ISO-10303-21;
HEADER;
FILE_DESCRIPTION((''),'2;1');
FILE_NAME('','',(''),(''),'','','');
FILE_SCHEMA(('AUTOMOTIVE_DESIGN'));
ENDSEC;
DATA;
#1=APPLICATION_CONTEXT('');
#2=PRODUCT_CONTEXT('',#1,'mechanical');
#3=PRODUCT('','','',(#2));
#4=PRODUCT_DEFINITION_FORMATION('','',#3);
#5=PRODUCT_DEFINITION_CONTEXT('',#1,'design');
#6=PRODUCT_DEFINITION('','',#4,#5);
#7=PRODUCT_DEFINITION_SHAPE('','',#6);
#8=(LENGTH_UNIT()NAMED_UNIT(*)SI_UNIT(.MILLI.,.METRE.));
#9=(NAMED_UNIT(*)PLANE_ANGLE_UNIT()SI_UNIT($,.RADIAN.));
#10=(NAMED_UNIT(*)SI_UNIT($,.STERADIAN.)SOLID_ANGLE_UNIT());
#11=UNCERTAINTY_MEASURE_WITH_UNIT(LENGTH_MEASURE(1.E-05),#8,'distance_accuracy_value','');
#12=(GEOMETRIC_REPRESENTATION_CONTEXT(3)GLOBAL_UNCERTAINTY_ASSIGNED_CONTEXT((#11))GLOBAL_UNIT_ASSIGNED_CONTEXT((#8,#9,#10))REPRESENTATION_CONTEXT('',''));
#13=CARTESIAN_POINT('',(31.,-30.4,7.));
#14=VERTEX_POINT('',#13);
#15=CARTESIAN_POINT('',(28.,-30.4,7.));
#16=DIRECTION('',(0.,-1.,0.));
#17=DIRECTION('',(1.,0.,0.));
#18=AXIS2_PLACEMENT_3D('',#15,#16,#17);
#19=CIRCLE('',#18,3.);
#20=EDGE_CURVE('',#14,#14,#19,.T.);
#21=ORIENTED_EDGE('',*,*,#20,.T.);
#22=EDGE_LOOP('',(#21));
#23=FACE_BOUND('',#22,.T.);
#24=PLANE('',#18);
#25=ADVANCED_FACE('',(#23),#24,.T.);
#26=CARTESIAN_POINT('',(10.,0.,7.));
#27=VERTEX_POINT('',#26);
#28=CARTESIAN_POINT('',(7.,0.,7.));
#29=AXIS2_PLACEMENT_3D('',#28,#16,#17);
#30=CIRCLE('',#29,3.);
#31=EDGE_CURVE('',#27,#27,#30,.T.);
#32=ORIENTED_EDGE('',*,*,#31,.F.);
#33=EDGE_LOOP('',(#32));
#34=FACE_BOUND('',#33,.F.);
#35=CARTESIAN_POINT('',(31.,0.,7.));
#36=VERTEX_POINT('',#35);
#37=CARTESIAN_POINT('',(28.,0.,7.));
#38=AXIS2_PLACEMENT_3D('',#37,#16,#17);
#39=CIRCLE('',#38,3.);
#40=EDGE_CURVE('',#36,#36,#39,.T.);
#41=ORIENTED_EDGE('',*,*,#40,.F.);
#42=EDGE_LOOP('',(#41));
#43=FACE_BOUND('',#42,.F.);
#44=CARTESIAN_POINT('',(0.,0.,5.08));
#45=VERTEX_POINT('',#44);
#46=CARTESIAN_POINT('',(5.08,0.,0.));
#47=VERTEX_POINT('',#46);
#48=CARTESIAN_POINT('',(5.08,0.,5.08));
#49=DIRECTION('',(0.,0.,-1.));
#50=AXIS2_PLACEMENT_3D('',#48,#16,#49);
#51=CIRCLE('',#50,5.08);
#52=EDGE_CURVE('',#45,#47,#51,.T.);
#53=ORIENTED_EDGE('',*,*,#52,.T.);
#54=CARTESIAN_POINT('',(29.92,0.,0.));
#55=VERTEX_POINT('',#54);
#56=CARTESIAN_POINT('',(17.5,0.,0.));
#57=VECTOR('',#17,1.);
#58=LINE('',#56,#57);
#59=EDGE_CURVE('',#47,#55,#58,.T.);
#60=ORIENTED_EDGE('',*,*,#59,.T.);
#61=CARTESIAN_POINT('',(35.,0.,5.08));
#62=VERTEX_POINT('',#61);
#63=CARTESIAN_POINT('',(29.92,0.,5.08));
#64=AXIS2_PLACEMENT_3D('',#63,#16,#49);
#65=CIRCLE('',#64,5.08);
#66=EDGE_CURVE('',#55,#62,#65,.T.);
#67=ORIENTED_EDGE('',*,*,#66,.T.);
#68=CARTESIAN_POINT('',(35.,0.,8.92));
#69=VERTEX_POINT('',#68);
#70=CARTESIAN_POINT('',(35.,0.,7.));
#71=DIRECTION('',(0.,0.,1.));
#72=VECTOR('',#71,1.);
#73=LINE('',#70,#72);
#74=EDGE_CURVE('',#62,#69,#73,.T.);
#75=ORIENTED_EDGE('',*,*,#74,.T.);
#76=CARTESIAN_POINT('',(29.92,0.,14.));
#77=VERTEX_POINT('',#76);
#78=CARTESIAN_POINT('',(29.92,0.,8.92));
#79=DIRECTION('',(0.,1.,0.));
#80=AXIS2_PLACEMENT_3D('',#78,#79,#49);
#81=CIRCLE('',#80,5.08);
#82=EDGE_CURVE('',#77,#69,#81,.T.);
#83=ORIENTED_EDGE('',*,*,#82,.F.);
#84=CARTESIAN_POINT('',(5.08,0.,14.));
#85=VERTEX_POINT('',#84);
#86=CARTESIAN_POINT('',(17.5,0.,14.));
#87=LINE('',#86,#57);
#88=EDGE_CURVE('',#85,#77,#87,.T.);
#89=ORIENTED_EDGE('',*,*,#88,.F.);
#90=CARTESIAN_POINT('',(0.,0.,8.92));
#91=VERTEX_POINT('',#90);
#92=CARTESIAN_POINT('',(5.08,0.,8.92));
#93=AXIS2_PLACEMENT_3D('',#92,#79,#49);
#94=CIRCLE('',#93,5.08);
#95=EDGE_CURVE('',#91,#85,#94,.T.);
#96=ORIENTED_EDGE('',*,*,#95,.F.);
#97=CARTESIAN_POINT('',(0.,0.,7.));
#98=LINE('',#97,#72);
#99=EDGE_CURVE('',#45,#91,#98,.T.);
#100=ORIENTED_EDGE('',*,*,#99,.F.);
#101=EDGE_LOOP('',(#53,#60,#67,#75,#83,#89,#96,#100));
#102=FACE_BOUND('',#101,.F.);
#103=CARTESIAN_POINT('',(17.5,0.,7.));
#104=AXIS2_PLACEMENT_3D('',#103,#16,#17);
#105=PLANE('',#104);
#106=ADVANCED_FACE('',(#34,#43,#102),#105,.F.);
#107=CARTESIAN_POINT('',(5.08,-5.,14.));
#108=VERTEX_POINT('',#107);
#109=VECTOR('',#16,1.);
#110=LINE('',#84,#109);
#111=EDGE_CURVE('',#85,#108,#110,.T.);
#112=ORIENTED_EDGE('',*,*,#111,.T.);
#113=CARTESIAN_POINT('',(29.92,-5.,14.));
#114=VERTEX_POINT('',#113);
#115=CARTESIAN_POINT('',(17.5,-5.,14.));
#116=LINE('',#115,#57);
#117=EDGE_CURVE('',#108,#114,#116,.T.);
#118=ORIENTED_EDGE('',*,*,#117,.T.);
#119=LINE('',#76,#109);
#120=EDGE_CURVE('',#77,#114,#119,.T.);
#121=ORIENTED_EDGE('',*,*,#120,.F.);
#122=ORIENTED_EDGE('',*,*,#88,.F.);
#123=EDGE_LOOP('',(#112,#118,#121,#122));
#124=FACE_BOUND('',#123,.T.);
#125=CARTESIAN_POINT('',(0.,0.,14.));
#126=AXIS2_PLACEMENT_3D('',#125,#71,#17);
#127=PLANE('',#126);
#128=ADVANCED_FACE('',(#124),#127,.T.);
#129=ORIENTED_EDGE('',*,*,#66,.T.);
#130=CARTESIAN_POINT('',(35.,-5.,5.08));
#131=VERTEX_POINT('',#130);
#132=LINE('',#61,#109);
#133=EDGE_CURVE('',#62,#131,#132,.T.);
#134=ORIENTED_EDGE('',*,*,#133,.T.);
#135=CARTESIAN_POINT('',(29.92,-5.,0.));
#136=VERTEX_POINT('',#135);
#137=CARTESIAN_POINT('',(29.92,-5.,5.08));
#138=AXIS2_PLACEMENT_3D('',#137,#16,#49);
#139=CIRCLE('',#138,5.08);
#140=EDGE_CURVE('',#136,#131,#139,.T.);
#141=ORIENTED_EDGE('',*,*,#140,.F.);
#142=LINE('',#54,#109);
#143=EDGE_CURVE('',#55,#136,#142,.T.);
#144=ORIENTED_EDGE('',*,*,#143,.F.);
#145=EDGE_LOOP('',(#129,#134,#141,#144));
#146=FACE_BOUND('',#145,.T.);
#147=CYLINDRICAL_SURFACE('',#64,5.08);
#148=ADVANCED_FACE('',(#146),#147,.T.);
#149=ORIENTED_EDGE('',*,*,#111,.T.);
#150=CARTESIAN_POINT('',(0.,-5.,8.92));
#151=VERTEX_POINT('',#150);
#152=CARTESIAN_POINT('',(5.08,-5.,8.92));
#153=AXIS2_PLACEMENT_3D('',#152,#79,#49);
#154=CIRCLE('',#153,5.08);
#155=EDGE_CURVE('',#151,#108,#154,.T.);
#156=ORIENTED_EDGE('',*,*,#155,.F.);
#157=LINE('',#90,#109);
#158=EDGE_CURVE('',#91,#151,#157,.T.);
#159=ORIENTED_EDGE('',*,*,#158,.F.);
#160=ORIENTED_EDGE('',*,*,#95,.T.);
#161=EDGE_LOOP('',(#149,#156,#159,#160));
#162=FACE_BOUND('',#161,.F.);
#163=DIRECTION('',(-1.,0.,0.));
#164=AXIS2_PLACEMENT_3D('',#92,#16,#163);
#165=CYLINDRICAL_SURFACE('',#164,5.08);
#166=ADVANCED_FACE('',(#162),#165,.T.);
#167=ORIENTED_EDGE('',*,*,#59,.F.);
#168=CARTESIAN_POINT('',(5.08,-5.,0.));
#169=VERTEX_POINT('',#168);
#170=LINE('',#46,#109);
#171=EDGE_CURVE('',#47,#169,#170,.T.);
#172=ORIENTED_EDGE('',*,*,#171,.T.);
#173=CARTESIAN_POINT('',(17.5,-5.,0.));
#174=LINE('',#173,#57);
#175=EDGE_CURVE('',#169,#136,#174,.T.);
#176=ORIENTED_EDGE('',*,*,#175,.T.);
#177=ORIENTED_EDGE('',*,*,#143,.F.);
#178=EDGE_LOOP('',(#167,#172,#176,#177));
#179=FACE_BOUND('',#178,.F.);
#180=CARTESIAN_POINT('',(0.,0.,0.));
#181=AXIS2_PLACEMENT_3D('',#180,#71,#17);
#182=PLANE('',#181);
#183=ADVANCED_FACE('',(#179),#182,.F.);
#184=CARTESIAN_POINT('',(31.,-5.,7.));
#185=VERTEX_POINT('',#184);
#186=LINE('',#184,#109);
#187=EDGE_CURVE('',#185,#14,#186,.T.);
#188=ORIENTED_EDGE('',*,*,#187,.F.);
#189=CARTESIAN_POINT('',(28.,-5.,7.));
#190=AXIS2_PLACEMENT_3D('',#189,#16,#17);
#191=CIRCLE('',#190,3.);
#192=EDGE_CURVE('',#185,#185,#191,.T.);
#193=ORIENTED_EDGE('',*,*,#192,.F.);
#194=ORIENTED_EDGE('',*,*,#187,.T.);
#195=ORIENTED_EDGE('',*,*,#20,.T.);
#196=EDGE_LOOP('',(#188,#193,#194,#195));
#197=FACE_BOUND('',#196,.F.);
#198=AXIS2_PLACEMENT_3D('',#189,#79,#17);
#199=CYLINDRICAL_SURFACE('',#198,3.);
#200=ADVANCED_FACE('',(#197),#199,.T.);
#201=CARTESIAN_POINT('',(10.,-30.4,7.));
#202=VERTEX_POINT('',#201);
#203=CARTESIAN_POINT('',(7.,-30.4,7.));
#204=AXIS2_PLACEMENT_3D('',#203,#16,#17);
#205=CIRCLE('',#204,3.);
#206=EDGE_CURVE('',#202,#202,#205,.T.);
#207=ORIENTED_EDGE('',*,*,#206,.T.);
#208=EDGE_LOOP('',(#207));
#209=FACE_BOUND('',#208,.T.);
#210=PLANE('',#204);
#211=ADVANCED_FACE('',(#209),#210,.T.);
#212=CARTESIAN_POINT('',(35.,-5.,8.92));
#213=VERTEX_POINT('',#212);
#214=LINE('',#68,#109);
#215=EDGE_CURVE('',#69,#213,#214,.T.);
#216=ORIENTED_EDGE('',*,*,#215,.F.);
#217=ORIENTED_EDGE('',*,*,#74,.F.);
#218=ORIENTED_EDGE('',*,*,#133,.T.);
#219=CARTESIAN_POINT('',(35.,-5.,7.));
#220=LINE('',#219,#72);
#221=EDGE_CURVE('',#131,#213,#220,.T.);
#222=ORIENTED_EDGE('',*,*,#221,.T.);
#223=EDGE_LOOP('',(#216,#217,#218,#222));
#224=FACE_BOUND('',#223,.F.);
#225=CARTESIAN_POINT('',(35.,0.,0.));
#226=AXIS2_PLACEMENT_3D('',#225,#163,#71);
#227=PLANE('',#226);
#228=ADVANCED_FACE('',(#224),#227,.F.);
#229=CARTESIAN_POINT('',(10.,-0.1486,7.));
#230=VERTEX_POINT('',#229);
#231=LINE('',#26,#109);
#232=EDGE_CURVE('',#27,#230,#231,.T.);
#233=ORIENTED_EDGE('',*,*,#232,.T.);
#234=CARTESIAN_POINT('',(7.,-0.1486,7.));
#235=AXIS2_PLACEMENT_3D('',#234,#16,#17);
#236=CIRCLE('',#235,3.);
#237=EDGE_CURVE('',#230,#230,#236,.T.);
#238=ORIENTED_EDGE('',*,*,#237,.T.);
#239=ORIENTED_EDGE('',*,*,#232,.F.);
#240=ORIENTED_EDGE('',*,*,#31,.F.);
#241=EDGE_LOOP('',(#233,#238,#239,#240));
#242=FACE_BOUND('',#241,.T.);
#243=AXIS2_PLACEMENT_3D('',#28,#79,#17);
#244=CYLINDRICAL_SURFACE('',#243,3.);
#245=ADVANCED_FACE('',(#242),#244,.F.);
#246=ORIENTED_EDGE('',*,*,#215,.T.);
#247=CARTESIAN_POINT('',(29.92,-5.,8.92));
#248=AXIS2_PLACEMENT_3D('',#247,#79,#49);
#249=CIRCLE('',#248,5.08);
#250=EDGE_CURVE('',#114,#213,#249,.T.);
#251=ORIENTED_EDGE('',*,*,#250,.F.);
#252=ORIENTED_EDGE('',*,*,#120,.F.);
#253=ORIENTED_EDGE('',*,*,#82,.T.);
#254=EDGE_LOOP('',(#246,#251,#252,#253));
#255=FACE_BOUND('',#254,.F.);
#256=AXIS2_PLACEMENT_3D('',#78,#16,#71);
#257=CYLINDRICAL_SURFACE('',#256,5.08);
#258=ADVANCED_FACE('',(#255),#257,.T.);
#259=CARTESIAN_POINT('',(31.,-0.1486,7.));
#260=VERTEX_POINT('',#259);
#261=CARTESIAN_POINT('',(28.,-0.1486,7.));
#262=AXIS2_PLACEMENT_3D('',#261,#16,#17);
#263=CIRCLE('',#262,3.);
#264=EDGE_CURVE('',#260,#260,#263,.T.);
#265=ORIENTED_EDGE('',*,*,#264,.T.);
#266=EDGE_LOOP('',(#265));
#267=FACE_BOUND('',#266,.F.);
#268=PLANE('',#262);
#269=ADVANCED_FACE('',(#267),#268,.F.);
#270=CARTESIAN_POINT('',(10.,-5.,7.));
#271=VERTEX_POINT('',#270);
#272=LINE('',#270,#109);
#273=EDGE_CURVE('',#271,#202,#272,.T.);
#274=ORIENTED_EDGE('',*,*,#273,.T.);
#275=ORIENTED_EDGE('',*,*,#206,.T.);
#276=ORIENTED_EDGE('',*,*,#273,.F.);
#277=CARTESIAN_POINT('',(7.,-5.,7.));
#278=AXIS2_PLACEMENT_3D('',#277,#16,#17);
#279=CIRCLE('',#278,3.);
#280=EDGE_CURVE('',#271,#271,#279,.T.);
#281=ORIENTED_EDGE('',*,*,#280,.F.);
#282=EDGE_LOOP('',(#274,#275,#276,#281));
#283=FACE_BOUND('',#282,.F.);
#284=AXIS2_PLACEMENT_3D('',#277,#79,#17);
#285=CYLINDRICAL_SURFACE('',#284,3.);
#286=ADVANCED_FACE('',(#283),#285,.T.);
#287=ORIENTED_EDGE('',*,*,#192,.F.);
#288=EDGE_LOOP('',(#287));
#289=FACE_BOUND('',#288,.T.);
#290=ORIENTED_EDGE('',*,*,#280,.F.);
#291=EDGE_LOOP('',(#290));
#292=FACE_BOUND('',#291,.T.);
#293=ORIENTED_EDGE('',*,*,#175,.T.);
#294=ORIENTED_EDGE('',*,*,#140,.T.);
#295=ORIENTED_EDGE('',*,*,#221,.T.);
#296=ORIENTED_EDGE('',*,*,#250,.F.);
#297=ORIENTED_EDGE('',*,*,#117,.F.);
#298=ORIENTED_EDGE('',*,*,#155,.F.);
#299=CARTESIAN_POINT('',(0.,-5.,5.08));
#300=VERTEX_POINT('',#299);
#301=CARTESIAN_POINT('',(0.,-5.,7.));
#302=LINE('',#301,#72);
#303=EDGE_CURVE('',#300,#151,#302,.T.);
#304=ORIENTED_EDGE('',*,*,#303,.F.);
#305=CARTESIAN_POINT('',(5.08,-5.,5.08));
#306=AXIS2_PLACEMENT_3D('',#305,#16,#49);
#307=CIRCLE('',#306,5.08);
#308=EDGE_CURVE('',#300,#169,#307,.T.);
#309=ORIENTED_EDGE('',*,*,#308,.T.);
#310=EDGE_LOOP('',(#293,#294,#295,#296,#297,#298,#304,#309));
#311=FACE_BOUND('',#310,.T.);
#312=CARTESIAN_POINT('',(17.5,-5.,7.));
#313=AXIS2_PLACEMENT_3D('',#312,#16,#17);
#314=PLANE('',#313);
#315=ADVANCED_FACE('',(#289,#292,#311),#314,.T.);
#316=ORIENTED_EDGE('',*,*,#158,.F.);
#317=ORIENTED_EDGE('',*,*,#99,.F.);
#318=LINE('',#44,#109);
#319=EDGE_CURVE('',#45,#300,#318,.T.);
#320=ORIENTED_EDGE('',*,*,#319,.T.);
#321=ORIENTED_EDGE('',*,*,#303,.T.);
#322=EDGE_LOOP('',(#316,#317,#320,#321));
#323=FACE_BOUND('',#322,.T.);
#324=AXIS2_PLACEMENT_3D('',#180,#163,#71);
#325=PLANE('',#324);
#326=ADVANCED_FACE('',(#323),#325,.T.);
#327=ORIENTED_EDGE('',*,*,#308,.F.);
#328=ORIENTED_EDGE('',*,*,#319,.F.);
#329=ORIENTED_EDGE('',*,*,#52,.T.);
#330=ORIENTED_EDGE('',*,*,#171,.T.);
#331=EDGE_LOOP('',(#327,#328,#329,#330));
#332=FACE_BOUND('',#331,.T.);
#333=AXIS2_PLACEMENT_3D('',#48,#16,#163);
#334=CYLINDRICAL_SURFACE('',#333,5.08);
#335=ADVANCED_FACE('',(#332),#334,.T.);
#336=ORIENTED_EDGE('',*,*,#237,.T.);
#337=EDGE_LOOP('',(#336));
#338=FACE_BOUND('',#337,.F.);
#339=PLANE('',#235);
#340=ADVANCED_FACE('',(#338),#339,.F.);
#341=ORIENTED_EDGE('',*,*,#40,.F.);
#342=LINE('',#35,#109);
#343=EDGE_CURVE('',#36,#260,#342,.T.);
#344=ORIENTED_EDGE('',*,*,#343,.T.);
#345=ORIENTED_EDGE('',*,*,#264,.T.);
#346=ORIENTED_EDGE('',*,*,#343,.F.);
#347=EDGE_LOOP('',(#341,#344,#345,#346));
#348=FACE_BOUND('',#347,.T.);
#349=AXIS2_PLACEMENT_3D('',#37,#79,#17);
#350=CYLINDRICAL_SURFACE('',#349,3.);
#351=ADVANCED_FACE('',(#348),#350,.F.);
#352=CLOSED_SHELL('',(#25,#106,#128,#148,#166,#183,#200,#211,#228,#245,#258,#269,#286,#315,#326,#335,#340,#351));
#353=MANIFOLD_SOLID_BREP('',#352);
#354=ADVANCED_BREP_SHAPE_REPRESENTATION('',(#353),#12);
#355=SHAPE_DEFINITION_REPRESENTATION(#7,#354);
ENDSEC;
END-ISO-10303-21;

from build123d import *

# Parameters (mm, degrees)
F0_W          = 35
F0_H          = 14
F0_R          = 3
F1_DEPTH      = 5
F2_R          = 5.08
F3_R          = 3
F4_DEPTH      = 25.4
F4_DEPTH_BACK = 4.8514


with BuildPart() as f1:
    # F0 (on Front) → F1 (new body)
    with BuildSketch(Plane.XZ):
        with Locations((17.5, 7)):
            Rectangle(F0_W, F0_H)
        with Locations((7, 7)):
            Circle(F0_R, mode=Mode.SUBTRACT)
        with Locations((28, 7)):
            Circle(F0_R, mode=Mode.SUBTRACT)
    extrude(amount=F1_DEPTH)

    # F2
    f2_edges = [f1.edges().sort_by_distance(p)[0] for p in [
        (35, -2.5, 14),
        (35, -2.5, 0),
        (0, -2.5, 0),
        (0, -2.5, 14),
    ]]
    fillet(f2_edges, radius=F2_R)

    # F3 (on face) → F4 (join, two sides)
    with BuildSketch(Plane.XZ.offset(5)) as f4_sk:
        with Locations((28, 7)):
            Circle(F3_R)
        with Locations((7, 7)):
            Circle(F3_R)
    extrude(amount=F4_DEPTH)
    extrude(f4_sk.sketch, amount=-F4_DEPTH_BACK)


solid = f1.part
